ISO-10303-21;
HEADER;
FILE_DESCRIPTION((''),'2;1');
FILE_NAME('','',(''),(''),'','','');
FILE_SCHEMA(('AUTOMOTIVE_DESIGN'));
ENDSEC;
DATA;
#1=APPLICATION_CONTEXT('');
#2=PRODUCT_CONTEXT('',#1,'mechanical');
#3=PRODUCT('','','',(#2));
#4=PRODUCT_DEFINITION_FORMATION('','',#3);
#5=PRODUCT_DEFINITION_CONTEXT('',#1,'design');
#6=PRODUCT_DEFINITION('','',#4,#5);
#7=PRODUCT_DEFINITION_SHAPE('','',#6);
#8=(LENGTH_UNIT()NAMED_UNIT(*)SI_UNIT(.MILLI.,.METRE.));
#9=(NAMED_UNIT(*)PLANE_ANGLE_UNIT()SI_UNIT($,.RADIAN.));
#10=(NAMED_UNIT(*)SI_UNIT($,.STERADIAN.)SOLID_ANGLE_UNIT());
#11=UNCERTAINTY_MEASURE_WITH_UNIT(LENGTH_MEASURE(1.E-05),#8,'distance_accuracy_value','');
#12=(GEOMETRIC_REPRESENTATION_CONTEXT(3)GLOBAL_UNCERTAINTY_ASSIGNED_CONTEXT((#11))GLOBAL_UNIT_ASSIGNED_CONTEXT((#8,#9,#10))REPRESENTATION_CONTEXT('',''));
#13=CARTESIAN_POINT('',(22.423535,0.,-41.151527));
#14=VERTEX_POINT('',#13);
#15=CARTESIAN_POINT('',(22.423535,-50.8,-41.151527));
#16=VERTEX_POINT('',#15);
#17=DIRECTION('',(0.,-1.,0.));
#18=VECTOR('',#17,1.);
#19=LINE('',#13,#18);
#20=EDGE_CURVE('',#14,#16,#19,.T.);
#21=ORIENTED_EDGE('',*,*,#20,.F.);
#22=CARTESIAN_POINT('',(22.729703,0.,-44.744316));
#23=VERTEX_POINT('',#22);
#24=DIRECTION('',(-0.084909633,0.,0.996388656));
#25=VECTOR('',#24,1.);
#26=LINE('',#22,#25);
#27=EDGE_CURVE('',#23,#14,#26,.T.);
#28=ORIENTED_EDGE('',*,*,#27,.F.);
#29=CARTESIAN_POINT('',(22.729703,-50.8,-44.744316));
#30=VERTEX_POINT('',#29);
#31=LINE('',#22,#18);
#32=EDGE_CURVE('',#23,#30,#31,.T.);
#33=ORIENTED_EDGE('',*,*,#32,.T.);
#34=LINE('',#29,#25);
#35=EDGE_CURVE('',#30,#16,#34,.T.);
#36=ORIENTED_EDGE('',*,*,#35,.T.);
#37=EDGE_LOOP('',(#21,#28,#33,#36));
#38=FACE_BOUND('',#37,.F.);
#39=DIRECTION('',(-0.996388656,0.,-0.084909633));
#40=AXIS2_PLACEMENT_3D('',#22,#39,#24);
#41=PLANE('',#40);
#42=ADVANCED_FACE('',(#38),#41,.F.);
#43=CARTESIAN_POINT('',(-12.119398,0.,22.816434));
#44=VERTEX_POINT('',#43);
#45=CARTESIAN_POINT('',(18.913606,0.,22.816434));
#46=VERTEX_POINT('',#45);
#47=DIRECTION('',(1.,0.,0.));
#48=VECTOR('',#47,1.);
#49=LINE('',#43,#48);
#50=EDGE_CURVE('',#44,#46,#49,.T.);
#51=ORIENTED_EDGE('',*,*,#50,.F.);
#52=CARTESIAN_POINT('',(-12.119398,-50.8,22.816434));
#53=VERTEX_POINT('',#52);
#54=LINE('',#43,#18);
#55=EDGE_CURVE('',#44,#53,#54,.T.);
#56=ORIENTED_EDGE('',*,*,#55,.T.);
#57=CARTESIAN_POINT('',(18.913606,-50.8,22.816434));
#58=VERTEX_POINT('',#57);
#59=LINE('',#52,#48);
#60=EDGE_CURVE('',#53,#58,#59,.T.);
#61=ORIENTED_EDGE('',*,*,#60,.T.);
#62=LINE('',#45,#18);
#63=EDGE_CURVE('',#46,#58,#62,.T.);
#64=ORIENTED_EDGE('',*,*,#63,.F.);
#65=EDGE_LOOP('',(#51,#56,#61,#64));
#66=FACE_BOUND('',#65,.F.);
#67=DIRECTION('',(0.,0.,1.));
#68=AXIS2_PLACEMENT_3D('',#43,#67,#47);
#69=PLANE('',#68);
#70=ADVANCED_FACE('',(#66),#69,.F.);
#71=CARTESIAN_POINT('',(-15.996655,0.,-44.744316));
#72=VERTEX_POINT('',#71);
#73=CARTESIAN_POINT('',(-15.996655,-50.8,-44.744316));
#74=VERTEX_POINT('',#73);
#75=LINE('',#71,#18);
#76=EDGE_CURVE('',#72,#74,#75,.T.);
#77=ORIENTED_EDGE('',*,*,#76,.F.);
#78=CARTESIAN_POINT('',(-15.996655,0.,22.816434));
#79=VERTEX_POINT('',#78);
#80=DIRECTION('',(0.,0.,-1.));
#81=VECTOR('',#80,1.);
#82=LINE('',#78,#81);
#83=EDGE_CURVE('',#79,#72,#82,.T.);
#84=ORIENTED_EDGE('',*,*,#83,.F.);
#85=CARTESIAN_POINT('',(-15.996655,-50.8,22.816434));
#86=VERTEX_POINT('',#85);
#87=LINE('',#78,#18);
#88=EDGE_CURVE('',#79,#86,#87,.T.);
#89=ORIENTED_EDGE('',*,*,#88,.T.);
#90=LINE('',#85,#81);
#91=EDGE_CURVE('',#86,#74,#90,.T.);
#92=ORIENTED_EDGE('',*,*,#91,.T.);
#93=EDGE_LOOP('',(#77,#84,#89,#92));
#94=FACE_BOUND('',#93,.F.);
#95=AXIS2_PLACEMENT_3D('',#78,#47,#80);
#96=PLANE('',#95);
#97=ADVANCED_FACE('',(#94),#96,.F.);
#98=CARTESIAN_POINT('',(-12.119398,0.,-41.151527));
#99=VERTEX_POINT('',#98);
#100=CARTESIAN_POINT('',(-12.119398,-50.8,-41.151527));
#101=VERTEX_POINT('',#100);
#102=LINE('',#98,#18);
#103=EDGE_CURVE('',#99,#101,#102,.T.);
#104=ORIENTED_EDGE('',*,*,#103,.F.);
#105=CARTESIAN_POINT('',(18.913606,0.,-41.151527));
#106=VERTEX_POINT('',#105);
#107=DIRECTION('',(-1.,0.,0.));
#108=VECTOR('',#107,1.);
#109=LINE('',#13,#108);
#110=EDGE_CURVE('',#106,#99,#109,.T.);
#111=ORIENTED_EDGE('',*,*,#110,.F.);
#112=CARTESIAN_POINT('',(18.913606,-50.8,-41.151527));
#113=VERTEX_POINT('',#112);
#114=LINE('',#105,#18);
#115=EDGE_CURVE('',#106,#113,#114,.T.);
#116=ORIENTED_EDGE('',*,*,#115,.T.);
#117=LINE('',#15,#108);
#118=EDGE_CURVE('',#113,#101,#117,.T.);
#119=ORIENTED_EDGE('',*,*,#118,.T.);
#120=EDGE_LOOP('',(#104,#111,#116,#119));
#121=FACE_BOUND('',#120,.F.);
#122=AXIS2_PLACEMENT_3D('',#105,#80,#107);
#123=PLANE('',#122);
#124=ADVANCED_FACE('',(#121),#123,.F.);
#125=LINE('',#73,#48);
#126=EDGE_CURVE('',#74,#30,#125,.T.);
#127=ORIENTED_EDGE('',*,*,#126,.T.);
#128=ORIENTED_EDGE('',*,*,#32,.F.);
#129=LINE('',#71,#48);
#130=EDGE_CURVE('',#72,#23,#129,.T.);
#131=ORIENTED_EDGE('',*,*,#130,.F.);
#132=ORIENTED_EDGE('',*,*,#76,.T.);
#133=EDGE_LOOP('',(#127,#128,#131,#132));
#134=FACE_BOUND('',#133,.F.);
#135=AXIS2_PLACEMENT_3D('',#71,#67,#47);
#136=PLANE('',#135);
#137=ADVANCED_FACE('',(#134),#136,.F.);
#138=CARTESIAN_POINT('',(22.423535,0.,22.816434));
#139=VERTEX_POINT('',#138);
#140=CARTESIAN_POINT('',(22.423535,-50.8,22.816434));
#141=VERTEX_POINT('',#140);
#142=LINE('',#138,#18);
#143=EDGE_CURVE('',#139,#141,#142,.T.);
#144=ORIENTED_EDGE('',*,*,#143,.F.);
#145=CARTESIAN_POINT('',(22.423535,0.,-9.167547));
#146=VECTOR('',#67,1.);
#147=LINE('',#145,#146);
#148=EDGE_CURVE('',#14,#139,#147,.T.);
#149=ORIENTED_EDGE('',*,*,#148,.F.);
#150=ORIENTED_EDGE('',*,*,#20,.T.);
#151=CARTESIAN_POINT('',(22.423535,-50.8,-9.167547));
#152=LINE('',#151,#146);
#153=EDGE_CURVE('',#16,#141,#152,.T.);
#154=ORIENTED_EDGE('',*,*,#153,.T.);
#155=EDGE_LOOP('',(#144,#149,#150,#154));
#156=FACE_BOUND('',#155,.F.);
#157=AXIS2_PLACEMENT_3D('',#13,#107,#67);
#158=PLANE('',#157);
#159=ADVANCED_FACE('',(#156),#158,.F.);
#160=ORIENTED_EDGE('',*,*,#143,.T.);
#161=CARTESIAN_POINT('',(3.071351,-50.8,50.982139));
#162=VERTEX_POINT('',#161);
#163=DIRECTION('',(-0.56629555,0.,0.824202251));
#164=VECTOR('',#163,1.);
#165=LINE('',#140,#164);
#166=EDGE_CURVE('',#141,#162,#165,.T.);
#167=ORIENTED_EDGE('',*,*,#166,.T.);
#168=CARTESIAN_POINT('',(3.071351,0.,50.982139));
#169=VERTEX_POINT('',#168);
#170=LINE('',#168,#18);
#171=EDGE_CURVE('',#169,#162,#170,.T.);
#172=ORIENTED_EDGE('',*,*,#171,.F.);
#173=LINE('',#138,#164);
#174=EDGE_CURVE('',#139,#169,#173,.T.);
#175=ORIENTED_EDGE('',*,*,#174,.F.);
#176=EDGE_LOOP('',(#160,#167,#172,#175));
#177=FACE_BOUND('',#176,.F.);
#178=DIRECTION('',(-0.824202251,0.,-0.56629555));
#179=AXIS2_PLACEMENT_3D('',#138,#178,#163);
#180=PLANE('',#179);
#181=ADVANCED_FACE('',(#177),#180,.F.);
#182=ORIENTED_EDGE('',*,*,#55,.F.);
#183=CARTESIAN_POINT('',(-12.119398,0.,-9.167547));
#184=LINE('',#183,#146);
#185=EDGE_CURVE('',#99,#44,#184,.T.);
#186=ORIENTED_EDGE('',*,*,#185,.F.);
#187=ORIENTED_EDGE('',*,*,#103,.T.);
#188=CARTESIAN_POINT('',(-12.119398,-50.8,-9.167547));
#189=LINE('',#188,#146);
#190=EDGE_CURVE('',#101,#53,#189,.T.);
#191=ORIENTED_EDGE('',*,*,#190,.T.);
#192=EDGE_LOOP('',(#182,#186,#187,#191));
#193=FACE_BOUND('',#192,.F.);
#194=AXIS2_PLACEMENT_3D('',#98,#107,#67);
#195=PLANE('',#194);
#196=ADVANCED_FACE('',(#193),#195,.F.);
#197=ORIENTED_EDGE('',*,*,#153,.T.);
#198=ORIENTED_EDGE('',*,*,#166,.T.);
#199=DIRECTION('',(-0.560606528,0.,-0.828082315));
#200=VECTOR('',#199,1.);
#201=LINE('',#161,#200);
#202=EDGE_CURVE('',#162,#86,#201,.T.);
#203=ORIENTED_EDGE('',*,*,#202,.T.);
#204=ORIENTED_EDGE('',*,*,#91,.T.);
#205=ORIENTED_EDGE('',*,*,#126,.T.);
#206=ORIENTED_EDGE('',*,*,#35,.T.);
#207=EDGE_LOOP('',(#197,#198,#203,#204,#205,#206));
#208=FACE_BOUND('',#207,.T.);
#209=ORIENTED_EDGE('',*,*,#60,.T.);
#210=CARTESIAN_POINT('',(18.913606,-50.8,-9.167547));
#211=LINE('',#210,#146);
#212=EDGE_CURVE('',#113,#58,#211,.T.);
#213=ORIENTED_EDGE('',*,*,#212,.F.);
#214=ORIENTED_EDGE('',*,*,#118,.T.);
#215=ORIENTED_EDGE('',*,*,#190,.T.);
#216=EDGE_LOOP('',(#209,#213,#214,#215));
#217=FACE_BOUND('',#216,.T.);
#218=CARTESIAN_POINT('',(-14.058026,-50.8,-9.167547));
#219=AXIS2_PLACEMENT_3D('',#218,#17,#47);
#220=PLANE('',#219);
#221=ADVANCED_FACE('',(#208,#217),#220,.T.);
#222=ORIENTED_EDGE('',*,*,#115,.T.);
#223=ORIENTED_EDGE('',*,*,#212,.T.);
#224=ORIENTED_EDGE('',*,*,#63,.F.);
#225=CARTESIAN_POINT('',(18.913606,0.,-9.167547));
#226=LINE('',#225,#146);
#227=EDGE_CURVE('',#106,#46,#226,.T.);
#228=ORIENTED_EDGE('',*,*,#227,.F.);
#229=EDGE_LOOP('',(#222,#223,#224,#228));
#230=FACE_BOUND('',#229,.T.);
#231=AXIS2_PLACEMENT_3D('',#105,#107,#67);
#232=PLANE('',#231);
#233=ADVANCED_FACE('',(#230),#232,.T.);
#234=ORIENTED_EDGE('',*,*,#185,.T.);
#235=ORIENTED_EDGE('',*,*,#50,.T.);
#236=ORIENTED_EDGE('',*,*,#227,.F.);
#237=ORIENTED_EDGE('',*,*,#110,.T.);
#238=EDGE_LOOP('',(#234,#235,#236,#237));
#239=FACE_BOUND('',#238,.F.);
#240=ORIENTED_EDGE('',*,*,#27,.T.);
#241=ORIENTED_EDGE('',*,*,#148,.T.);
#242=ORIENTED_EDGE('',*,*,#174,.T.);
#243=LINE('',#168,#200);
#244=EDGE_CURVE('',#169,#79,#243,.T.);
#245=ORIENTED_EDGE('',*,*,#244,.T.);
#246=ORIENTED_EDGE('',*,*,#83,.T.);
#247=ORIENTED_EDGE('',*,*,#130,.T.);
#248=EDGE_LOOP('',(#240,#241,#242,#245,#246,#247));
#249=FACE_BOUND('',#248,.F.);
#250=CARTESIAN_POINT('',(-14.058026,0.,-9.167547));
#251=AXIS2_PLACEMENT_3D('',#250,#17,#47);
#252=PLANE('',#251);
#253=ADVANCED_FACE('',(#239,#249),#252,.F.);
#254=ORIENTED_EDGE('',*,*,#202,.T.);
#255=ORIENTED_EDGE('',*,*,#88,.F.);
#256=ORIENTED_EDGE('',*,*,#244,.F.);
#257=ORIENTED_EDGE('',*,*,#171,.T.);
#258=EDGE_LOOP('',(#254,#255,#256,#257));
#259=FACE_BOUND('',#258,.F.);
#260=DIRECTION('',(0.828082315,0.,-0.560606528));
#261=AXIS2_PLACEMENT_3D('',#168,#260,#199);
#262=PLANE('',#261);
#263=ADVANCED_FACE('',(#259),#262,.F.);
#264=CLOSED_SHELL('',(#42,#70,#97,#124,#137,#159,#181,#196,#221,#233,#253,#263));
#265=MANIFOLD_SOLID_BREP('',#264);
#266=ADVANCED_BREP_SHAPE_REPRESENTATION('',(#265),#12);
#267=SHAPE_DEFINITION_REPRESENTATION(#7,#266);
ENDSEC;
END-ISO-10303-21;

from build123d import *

# Parameters (mm, degrees)
F0_W     = 3.8772569518
F0_H     = 63.9679611865
F0_W_2   = 3.5099290236
F1_DEPTH = 50.8


with BuildPart() as f1:
    # F0 (on Front) → F1 (new body)
    with BuildSketch(Plane.XZ):
        with Locations((-14.058026042, -9.1675467221)):
            Rectangle(F0_W, F0_H)
        Polygon((3.0713511857, 50.9821392888), (-15.9966545179, 22.8164338711), (-12.1193975661, 22.8164338711), (18.9136061812, 22.8164338711), (22.4235352048, 22.8164338711), align=None)
        Polygon((-12.1193975661, -41.1515273154), (-15.9966545179, -41.1515273154), (-15.9966545179, -44.7443164885), (22.7297032942, -44.7443164885), (22.4235352048, -41.1515273154), (18.9136061812, -41.1515273154), align=None)
        with Locations((20.668570693, -9.1675467221)):
            Rectangle(F0_W_2, F0_H)
    extrude(amount=F1_DEPTH)


solid = f1.part
